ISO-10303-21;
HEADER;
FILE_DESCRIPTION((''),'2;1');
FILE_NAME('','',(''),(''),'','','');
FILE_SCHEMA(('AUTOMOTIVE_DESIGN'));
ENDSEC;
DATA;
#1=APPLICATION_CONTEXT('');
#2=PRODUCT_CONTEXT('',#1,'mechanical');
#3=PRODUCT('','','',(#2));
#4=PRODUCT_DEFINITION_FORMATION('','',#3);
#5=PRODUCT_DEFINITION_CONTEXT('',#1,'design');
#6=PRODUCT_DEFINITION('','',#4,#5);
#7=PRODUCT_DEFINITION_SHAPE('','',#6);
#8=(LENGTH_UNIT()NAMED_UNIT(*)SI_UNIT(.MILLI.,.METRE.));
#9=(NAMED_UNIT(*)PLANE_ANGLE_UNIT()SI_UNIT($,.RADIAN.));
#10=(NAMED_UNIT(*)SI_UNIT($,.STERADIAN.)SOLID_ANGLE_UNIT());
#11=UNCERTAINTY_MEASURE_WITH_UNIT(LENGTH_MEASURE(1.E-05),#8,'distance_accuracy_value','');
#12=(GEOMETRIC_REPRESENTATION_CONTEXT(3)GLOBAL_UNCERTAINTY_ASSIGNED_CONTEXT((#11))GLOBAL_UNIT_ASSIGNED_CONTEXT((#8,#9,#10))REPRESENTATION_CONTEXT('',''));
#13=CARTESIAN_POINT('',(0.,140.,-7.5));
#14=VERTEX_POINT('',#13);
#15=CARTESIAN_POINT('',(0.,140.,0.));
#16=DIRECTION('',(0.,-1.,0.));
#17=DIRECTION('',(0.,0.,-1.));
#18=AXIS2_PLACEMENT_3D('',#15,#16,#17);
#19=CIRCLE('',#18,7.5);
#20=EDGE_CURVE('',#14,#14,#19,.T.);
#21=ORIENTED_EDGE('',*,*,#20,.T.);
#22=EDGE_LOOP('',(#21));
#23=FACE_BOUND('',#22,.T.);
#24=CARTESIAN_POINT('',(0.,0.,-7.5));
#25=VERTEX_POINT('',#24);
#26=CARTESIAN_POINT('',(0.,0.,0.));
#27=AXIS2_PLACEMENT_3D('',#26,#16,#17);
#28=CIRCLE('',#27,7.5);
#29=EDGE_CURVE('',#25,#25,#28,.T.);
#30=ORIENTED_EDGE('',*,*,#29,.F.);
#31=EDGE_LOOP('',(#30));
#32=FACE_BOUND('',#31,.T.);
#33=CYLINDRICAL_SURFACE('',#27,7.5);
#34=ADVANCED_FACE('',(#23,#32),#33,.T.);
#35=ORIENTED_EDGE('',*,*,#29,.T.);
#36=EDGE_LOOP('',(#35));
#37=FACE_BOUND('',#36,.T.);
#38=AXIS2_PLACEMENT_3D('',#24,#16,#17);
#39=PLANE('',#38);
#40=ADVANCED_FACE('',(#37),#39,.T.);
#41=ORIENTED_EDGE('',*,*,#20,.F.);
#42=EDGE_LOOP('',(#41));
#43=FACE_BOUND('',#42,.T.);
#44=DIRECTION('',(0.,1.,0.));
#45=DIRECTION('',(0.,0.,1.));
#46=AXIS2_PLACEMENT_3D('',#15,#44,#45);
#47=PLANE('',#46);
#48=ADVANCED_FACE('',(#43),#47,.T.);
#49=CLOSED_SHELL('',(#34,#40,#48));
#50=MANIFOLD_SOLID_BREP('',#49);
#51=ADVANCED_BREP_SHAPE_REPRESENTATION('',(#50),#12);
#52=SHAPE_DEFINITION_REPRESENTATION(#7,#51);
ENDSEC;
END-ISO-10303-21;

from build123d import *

# Parameters (mm, degrees)
SKETCH1_W = 7.5
SKETCH1_H = 140


with BuildPart() as part:
    # Sketch1 → Revolve1 (revolve)
    with BuildSketch(Plane(origin=(0, 0, 0), x_dir=(0, 0, -1), z_dir=(1, 0, 0))):
        with Locations((3.75, 70)):
            Rectangle(SKETCH1_W, SKETCH1_H)
    revolve(axis=Axis((0, 0, 0), (0, 1, 0)))


solid = part.part
